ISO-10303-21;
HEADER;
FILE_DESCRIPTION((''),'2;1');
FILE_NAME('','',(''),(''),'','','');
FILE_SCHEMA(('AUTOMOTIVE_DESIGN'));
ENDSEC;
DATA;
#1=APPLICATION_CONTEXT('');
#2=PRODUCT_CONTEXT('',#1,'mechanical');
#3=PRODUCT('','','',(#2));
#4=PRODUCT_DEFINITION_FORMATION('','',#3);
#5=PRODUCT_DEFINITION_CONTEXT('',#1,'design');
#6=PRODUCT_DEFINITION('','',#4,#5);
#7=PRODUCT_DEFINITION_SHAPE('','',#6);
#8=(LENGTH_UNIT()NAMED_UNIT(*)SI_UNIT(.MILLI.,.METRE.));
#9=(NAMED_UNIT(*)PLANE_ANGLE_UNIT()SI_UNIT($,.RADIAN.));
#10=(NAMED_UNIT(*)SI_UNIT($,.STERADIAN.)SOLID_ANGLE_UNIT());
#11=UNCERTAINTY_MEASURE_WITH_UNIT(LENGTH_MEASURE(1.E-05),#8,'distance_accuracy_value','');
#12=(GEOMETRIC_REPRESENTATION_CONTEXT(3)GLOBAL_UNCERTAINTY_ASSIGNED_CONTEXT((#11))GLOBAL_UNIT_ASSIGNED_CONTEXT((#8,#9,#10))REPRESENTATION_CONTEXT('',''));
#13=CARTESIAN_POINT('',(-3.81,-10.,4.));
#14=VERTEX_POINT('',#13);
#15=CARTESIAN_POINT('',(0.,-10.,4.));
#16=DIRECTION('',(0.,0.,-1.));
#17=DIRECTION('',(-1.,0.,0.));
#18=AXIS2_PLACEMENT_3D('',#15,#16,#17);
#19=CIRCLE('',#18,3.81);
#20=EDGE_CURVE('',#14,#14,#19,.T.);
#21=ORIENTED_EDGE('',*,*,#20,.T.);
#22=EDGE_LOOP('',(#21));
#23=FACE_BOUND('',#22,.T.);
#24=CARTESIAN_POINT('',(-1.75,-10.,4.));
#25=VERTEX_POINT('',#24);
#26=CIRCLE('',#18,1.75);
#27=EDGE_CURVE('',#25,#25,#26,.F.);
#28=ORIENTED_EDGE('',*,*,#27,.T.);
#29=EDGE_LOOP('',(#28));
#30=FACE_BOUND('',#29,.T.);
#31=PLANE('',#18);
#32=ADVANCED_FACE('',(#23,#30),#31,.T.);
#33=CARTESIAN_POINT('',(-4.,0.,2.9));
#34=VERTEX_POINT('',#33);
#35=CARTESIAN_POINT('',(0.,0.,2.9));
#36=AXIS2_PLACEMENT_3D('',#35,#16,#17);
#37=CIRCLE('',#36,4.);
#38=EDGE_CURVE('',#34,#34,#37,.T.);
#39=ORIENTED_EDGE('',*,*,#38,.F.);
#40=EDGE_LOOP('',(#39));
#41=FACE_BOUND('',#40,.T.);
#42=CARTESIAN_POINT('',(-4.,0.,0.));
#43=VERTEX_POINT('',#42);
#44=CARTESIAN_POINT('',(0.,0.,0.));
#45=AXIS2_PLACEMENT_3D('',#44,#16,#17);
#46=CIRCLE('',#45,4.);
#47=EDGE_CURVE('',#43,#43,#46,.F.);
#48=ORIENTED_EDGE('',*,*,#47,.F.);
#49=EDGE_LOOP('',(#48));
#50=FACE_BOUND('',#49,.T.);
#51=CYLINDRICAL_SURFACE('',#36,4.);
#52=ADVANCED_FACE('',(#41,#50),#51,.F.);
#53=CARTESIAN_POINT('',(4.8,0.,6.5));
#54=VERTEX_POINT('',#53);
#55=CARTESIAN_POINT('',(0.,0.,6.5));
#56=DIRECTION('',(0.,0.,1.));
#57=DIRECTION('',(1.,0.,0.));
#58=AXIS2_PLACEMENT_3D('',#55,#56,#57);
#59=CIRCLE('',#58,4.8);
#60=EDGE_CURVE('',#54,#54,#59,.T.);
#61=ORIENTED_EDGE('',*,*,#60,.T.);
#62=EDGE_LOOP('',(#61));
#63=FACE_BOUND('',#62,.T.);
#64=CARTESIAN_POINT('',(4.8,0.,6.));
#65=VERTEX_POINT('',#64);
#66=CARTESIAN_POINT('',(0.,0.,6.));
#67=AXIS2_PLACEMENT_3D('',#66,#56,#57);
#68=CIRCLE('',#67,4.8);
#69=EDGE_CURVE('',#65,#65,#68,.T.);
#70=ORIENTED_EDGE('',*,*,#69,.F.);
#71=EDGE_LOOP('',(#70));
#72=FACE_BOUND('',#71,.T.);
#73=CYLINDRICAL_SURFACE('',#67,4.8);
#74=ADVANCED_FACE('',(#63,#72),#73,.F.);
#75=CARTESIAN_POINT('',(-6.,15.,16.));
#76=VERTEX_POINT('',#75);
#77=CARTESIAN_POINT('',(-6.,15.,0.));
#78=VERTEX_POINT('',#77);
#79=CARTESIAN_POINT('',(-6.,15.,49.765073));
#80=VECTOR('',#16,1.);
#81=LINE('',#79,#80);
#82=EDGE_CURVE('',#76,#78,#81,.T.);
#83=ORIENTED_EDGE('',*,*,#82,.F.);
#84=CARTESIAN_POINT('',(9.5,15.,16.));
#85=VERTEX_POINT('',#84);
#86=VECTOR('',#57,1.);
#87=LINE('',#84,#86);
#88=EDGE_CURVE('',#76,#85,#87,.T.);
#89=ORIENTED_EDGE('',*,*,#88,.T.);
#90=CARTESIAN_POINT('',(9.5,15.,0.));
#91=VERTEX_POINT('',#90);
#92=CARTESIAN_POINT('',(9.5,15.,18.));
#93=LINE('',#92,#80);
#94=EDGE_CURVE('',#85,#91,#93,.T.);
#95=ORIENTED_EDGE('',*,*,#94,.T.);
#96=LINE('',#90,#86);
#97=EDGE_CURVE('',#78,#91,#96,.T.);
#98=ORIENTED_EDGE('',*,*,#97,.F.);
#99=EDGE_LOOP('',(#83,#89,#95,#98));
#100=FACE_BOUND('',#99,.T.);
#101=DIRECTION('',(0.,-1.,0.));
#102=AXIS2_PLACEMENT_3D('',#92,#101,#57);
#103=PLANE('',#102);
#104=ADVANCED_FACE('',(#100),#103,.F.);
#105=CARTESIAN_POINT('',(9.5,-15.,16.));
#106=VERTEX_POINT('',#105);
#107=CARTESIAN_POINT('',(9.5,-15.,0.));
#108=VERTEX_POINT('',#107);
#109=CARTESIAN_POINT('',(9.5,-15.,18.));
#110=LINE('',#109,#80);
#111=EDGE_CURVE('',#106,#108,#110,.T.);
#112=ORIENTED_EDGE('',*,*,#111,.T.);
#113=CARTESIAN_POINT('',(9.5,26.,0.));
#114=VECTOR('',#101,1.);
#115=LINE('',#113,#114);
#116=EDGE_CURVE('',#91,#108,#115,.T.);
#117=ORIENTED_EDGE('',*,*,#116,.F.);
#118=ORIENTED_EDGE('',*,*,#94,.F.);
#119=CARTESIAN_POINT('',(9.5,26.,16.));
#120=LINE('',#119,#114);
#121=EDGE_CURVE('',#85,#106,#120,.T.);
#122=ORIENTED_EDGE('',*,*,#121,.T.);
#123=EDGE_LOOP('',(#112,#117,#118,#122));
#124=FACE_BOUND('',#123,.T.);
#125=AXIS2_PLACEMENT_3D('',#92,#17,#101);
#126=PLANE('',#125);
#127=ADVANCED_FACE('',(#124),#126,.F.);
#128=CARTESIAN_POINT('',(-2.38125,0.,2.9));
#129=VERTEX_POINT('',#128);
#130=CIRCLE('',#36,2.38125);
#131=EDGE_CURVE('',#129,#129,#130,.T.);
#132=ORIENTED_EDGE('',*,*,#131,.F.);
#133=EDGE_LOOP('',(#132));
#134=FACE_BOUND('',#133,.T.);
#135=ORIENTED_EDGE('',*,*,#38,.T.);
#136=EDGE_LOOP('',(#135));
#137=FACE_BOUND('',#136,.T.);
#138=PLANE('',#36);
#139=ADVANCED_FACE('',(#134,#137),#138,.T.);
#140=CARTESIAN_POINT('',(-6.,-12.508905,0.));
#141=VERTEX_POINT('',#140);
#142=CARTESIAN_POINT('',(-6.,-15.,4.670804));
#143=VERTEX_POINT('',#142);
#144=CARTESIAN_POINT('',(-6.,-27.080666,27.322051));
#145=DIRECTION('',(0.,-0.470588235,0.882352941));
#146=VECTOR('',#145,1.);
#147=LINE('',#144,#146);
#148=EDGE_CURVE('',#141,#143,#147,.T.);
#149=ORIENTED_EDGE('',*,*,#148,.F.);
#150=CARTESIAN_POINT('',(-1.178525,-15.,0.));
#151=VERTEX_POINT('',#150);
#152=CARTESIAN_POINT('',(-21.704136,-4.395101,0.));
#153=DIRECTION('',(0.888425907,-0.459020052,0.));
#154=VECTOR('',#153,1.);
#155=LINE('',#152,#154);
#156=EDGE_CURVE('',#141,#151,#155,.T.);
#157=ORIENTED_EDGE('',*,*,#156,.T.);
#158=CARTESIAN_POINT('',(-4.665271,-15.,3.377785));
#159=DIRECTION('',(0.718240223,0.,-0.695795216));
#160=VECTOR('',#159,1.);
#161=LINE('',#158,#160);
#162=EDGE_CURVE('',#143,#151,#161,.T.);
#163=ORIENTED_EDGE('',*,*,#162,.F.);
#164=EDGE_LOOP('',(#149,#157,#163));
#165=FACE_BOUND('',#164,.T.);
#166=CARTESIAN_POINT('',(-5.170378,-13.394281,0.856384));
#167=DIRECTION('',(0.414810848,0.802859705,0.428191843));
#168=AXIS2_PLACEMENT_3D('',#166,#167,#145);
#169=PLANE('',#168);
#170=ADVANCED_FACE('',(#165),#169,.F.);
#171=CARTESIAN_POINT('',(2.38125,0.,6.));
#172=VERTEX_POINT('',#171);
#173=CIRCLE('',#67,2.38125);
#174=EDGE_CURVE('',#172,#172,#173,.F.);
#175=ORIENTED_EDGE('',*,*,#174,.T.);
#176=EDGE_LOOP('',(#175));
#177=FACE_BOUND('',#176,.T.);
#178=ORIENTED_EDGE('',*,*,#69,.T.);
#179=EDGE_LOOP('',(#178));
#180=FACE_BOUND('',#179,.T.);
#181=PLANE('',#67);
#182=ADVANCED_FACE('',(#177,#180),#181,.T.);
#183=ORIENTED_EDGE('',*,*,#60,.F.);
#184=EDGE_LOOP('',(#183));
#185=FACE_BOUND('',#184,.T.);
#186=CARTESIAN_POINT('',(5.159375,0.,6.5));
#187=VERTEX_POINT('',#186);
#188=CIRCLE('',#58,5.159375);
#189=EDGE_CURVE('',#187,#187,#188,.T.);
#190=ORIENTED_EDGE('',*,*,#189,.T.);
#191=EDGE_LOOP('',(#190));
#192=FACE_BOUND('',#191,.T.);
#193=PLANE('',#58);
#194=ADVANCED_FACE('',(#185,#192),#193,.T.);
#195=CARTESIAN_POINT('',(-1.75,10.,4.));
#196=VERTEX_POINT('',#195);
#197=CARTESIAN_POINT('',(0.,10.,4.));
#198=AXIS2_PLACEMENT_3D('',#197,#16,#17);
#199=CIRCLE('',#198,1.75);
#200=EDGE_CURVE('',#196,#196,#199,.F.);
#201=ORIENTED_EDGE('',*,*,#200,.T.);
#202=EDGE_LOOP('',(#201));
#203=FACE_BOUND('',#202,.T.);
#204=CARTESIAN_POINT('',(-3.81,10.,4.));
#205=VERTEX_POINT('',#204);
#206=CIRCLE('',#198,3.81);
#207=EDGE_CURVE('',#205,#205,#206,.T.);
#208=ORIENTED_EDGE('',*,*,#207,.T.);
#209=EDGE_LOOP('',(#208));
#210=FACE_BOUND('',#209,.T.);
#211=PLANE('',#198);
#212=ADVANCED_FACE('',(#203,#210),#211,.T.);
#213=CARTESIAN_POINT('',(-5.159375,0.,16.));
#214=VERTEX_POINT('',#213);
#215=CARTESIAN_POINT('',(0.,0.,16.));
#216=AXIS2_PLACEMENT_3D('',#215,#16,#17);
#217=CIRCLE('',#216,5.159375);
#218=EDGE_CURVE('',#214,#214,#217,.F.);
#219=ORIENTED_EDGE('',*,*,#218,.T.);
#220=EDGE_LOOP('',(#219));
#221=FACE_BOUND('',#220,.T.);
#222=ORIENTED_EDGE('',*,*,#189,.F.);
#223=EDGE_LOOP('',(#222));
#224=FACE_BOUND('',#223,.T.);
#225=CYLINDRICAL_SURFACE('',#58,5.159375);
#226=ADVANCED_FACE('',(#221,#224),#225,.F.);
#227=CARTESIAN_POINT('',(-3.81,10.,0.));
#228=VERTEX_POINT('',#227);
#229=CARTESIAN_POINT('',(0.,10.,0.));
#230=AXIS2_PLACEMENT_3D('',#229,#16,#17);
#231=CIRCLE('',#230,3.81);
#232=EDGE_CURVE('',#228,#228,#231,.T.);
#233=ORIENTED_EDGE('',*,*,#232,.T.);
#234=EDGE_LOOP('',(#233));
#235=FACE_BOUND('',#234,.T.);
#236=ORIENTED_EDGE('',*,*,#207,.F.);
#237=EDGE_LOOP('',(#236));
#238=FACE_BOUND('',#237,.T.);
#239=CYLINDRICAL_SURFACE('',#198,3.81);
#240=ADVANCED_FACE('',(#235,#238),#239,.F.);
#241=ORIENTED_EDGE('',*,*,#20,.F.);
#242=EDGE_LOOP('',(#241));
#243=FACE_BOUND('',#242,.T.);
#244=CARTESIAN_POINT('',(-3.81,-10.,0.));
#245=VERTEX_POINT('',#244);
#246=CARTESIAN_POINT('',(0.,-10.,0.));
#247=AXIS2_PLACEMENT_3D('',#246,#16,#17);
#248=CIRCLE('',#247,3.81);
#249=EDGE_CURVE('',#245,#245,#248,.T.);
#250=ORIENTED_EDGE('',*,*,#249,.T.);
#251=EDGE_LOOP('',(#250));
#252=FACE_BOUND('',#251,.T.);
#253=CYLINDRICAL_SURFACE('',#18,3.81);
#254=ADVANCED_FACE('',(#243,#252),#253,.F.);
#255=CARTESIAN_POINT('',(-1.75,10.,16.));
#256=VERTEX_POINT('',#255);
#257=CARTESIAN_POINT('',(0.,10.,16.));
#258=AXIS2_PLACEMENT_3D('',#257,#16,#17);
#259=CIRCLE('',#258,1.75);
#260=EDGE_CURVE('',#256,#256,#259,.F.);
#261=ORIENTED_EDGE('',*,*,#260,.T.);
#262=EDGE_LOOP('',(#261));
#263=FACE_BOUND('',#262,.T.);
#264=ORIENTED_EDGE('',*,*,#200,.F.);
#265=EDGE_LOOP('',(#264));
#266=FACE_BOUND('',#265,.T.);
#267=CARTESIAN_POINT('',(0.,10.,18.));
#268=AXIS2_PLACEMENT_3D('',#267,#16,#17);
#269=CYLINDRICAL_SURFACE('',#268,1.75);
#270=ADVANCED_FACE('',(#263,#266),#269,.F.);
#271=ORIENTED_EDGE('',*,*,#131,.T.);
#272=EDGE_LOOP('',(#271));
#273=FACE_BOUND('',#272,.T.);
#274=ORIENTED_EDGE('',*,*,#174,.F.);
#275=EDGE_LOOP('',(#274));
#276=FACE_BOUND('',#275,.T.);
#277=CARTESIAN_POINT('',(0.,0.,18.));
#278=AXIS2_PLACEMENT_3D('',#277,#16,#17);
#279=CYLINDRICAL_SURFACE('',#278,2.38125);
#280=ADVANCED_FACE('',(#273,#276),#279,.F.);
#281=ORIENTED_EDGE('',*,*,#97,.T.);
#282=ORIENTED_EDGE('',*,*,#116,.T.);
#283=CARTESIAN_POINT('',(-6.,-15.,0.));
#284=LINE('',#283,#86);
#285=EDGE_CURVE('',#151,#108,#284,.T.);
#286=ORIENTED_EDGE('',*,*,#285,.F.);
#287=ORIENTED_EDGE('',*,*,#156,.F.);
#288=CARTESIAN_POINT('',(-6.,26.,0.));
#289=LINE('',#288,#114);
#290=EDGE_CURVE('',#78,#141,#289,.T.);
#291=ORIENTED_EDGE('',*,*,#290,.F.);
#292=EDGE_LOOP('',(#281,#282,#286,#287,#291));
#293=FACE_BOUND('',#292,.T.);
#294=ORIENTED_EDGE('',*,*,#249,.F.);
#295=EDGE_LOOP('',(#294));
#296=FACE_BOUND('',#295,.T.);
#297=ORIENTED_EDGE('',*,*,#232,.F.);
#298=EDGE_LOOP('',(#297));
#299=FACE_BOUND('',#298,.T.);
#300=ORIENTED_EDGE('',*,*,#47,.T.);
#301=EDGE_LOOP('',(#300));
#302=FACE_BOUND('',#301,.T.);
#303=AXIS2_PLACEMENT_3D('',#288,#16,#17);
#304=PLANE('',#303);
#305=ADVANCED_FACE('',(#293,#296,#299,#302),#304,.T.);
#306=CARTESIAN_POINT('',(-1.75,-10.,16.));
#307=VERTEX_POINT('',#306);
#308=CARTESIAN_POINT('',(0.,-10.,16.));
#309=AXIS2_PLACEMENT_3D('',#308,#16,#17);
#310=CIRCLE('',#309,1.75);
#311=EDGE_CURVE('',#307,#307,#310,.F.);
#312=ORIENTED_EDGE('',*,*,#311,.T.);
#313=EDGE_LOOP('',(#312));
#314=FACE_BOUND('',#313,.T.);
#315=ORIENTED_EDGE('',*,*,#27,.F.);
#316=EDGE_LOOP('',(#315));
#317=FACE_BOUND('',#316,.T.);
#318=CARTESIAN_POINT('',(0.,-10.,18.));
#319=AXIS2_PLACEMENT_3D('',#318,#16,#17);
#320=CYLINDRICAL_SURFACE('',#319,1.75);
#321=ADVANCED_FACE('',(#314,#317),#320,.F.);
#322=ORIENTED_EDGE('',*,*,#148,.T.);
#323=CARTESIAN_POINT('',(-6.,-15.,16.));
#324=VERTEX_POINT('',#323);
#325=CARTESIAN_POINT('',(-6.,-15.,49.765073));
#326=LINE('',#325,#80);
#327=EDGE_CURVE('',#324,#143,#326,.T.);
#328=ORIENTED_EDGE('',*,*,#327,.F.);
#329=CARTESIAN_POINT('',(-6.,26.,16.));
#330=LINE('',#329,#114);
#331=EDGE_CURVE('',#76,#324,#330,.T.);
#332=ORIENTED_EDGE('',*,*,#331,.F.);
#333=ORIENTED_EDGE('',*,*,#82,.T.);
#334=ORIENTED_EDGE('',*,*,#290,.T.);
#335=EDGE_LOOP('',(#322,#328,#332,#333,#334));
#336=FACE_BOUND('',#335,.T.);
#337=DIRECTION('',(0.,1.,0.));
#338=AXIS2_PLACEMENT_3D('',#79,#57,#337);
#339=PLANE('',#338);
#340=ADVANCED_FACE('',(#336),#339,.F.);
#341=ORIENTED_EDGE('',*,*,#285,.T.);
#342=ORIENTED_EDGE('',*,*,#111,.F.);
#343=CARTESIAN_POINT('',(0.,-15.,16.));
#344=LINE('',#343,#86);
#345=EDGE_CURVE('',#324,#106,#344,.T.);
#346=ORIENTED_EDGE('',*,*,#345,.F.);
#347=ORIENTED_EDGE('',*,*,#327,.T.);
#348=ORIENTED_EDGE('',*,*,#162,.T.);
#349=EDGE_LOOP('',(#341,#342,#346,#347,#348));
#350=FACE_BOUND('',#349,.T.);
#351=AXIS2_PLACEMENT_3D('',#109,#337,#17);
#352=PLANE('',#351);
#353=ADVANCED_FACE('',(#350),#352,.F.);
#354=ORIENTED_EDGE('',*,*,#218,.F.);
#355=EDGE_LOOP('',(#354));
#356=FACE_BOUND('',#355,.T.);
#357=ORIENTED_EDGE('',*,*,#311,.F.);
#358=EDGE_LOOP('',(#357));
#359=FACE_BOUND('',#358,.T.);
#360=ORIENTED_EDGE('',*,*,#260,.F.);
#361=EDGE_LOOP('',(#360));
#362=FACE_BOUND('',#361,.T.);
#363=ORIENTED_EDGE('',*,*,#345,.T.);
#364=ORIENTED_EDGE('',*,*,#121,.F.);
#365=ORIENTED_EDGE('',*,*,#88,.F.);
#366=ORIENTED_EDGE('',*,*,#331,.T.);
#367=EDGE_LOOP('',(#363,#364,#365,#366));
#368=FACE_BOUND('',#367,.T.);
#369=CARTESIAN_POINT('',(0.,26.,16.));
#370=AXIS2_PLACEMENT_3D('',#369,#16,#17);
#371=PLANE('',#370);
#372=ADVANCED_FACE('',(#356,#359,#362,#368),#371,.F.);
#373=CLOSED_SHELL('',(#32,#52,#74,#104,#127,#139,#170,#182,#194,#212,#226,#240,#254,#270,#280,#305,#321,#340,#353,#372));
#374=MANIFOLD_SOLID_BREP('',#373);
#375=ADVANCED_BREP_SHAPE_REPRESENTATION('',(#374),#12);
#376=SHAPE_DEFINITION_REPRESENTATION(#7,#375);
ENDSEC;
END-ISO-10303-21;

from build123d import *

# Parameters (mm, degrees)
SKETCH1_W               = 19
SKETCH1_H               = 30
BOSS_EXTRUDE1_DEPTH     = 18
SKETCH2_R               = 5.159375
CUT_EXTRUDE1_DEPTH      = 11.5
SKETCH4_R               = 4.8
CUT_EXTRUDE3_DEPTH      = 0.5
SKETCH5_R               = 2.38125
CUT_EXTRUDE4_DEPTH      = 13
CUT_EXTRUDE4_DEPTH_BACK = 8
CUT_EXTRUDE6_DEPTH      = 19
CUT_EXTRUDE6_DEPTH_BACK = 1
SKETCH11_W              = 15.5
SKETCH11_H              = 30
BOSS_EXTRUDE5_DEPTH     = 5
SKETCH12_R              = 4
CUT_EXTRUDE8_DEPTH      = 7.9
SKETCH13_R              = 1.75
CUT_EXTRUDE9_DEPTH      = 24
SKETCH15_W              = 15.5
SKETCH15_H              = 2
SKETCH15_H_2            = 5
CUT_EXTRUDE11_DEPTH     = 41
SKETCH17_R              = 5
CUT_EXTRUDE12_DEPTH     = 2
SKETCH20_R              = 3.81
CUT_EXTRUDE13_DEPTH     = 4


with BuildPart() as part:
    # Sketch1 → Boss-Extrude1 (new body)
    with BuildSketch(Plane.XY):
        Rectangle(SKETCH1_W, SKETCH1_H)
    extrude(amount=BOSS_EXTRUDE1_DEPTH)

    # Sketch2 → Cut-Extrude1 (cut)
    with BuildSketch(Plane.XY.offset(18)):
        Circle(SKETCH2_R)
    extrude(amount=-CUT_EXTRUDE1_DEPTH, mode=Mode.SUBTRACT)

    # Sketch4 → Cut-Extrude3 (cut)
    with BuildSketch(Plane.XY.offset(6.5)):
        Circle(SKETCH4_R)
    extrude(amount=-CUT_EXTRUDE3_DEPTH, mode=Mode.SUBTRACT)

    # Sketch5 → Cut-Extrude4 (cut, two sides)
    with BuildSketch(Plane.XY.offset(6)) as cut_extrude4_sk:
        Circle(SKETCH5_R)
    extrude(amount=CUT_EXTRUDE4_DEPTH, mode=Mode.SUBTRACT)
    extrude(cut_extrude4_sk.sketch, amount=-CUT_EXTRUDE4_DEPTH_BACK, mode=Mode.SUBTRACT)

    # Sketch6 → Cut-Extrude6 (cut, two sides)
    with BuildSketch(Plane.XY) as cut_extrude6_sk:
        Polygon((-6, 92.53517602), (-6, 15), (-6, -15), (-6, -92.53517602), (-161.070352039, -92.53517602), (-161.070352039, 92.53517602), align=None)
    extrude(amount=CUT_EXTRUDE6_DEPTH, mode=Mode.SUBTRACT)
    extrude(cut_extrude6_sk.sketch, amount=-CUT_EXTRUDE6_DEPTH_BACK, mode=Mode.SUBTRACT)

    # Sketch11 → Boss-Extrude5 (add)
    with BuildSketch(Plane(origin=(0, 0, 0), x_dir=(-1, 0, 0), z_dir=(0, 0, -1))):
        with Locations((-1.75, 0)):
            Rectangle(SKETCH11_W, SKETCH11_H)
    extrude(amount=BOSS_EXTRUDE5_DEPTH)

    # Sketch12 → Cut-Extrude8 (cut)
    with BuildSketch(Plane(origin=(0, 0, -5), x_dir=(-1, 0, 0), z_dir=(0, 0, -1))):
        Circle(SKETCH12_R)
    extrude(amount=-CUT_EXTRUDE8_DEPTH, mode=Mode.SUBTRACT)

    # Sketch13 → Cut-Extrude9 (cut, through all)
    with BuildSketch(Plane(origin=(0, 0, -5), x_dir=(-1, 0, 0), z_dir=(0, 0, -1))):
        with Locations((0, -10)):
            Circle(SKETCH13_R)
        with Locations((0, 10)):
            Circle(SKETCH13_R)
    extrude(amount=-CUT_EXTRUDE9_DEPTH, mode=Mode.SUBTRACT)

    # Sketch15 → Cut-Extrude11 (cut)
    with BuildSketch(Plane.XZ.offset(15)):
        with Locations((1.75, 17)):
            Rectangle(SKETCH15_W, SKETCH15_H)
        with Locations((1.75, -2.5)):
            Rectangle(SKETCH15_W, SKETCH15_H_2)
    extrude(amount=-CUT_EXTRUDE11_DEPTH, mode=Mode.SUBTRACT)

    # Sketch17 → Cut-Extrude12 (cut)
    with BuildSketch(Plane(origin=(-6, -15, 0), x_dir=(0.909907666, -0.366009572, -0.195205105), z_dir=(0.414810848, 0.802859705, 0.428191843))):
        Circle(SKETCH17_R)
    extrude(amount=CUT_EXTRUDE12_DEPTH, mode=Mode.SUBTRACT)

    # Sketch20 → Cut-Extrude13 (cut)
    with BuildSketch(Plane(origin=(0, 0, 0), x_dir=(-1, 0, 0), z_dir=(0, 0, -1))):
        with Locations((0, 10)):
            Circle(SKETCH20_R)
        with Locations((0, -10)):
            Circle(SKETCH20_R)
    extrude(amount=-CUT_EXTRUDE13_DEPTH, mode=Mode.SUBTRACT)


solid = part.part
